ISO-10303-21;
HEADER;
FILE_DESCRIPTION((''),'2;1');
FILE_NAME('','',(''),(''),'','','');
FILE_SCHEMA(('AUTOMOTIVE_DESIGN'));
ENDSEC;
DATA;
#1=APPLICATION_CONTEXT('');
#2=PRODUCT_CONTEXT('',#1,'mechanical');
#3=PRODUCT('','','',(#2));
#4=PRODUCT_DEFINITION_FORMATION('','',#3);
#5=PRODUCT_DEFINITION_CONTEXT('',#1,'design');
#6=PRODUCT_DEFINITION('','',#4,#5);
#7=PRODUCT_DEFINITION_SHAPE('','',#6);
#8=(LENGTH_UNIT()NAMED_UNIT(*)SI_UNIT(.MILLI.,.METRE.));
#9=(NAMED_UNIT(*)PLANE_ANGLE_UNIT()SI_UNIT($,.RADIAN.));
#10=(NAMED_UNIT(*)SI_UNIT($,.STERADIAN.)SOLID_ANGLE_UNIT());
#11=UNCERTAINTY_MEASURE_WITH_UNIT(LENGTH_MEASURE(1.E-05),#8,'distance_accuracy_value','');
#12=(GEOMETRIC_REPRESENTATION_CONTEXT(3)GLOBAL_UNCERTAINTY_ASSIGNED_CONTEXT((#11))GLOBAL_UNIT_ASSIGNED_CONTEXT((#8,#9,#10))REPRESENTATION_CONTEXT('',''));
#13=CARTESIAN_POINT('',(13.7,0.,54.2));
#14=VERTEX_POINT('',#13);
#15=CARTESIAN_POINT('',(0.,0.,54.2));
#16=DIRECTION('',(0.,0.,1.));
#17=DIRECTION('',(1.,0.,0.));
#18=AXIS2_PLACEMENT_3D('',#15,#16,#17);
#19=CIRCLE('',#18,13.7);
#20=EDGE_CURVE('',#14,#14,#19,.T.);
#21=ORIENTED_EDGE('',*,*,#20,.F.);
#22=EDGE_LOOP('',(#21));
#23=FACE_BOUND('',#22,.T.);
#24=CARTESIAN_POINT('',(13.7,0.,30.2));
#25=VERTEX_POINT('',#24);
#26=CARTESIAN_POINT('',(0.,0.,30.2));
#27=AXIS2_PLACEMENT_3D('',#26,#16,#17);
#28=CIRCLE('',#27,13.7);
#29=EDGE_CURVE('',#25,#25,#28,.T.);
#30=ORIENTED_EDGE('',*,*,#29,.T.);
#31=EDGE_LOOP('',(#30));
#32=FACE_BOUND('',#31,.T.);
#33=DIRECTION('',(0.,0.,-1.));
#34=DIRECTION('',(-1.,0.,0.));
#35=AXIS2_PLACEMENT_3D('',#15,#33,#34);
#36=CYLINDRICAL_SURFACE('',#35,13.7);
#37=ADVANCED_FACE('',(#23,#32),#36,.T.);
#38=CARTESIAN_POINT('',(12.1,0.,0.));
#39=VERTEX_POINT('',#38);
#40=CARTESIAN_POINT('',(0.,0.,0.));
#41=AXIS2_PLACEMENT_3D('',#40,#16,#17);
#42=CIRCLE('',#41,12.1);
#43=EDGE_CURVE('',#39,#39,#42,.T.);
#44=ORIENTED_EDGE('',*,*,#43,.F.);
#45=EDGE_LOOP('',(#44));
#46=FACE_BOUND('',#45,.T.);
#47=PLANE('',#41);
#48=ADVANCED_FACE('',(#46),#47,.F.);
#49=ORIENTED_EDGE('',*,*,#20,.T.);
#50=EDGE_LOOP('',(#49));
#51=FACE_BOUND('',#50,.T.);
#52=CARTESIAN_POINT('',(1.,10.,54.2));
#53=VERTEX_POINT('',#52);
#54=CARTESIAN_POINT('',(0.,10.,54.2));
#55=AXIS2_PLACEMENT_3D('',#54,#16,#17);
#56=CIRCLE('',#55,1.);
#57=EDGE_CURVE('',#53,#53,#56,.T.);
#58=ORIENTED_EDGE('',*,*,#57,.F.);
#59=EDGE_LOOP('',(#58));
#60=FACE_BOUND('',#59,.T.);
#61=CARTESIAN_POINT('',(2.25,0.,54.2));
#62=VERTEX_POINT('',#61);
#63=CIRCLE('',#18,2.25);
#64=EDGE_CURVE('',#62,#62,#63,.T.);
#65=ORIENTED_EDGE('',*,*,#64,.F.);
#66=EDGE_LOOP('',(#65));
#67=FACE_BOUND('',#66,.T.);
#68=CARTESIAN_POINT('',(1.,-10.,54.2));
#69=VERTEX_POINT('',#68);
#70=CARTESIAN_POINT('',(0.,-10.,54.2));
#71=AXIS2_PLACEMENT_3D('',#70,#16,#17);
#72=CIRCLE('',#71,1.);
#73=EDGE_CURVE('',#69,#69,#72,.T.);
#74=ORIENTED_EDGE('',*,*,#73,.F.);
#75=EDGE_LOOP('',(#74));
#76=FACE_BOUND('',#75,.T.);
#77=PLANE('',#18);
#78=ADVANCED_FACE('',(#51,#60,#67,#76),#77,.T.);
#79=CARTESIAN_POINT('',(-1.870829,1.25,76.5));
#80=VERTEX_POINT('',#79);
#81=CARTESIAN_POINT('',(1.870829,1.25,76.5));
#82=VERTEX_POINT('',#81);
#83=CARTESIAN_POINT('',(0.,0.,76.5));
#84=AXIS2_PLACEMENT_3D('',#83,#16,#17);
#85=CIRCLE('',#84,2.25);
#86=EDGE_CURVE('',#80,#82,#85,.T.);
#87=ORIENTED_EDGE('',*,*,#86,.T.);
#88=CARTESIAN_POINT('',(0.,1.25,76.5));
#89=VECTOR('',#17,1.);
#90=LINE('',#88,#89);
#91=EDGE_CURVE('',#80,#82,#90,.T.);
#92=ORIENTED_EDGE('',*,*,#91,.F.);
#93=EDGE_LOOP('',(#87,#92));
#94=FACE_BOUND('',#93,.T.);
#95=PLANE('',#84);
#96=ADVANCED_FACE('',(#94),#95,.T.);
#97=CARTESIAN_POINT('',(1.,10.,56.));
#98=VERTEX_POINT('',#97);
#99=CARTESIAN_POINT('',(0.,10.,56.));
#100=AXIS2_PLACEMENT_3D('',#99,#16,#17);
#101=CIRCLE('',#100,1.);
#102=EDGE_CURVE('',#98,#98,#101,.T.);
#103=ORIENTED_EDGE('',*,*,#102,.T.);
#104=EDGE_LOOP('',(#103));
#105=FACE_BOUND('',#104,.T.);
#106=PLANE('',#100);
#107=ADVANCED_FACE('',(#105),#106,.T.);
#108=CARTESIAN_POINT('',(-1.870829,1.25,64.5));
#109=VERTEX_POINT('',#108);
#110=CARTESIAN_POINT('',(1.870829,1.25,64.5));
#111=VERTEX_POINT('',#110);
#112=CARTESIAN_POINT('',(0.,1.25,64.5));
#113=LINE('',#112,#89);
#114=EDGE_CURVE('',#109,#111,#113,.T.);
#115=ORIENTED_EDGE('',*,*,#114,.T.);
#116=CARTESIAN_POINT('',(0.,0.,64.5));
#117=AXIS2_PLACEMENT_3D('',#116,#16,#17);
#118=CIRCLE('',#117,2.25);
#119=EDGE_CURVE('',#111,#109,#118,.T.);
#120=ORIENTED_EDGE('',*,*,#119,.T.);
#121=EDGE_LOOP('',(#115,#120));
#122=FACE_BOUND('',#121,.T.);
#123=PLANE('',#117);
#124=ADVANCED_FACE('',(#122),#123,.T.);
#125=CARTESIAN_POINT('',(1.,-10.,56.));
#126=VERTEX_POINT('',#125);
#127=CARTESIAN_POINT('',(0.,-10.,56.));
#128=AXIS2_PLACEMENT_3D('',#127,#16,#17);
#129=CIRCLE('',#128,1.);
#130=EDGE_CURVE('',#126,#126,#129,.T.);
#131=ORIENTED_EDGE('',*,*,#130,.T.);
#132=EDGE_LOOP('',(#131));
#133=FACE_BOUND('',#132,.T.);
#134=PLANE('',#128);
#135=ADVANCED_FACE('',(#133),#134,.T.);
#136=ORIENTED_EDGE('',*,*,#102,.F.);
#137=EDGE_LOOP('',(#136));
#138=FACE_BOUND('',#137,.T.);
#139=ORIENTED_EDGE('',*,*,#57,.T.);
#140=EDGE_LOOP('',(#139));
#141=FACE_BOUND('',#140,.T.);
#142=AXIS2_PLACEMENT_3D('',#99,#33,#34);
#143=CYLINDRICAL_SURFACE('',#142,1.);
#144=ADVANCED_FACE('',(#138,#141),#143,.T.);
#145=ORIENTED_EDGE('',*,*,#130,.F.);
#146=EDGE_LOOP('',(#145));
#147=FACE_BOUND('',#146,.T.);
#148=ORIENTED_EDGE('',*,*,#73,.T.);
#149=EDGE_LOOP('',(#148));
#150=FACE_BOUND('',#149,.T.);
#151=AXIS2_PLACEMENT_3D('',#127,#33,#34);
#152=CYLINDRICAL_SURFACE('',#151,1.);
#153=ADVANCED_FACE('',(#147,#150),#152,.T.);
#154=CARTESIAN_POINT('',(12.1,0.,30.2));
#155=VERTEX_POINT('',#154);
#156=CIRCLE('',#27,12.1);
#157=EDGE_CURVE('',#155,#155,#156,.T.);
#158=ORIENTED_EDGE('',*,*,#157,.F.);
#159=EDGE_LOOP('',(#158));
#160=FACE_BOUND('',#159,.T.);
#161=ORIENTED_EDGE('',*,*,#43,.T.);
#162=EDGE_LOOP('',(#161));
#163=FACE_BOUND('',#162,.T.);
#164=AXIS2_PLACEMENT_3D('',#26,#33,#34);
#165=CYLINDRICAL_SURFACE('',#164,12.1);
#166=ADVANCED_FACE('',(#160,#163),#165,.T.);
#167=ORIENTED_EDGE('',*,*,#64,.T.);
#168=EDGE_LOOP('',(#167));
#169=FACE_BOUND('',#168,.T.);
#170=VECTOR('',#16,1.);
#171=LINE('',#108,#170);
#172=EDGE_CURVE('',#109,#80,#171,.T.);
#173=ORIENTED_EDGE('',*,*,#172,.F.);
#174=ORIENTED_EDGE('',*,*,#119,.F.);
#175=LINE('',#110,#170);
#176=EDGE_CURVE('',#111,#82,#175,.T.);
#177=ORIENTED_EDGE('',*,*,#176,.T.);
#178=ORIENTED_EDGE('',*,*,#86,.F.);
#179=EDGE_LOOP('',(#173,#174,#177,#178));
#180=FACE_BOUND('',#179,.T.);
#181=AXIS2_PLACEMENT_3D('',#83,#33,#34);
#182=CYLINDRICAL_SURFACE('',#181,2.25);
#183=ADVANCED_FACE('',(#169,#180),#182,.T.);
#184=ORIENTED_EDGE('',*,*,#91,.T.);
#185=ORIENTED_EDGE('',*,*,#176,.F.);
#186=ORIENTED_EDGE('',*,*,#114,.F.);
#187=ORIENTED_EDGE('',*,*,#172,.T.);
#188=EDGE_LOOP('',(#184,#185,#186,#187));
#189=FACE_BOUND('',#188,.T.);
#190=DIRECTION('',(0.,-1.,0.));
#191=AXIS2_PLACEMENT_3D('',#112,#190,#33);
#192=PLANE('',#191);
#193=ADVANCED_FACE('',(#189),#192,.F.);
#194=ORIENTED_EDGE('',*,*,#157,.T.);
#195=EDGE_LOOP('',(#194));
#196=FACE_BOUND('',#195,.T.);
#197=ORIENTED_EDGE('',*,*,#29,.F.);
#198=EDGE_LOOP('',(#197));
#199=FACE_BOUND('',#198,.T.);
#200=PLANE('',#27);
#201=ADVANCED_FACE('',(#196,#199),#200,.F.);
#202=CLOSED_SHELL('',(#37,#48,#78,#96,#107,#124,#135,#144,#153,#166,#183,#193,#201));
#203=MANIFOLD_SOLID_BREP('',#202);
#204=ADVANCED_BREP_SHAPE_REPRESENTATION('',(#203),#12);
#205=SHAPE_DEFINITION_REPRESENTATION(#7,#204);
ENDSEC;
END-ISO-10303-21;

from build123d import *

# Parameters (mm, degrees)
SKETCH1_R           = 12.1
BOSS_EXTRUDE1_DEPTH = 30.2
SKETCH2_R           = 13.7
BOSS_EXTRUDE2_DEPTH = 24
SKETCH4_R           = 1
BOSS_EXTRUDE3_DEPTH = 1.8
SKETCH5_R           = 2.25
BOSS_EXTRUDE4_DEPTH = 22.3
CUT_EXTRUDE1_DEPTH  = 12


with BuildPart() as part:
    # Sketch1 → Boss-Extrude1 (new body)
    with BuildSketch(Plane.XY):
        Circle(SKETCH1_R)
    extrude(amount=BOSS_EXTRUDE1_DEPTH)

    # Sketch2 → Boss-Extrude2 (add)
    with BuildSketch(Plane.XY.offset(30.2)):
        Circle(SKETCH2_R)
    extrude(amount=BOSS_EXTRUDE2_DEPTH)

    # Sketch4 → Boss-Extrude3 (add)
    with BuildSketch(Plane.XY.offset(54.2)):
        with Locations((0, 10)):
            Circle(SKETCH4_R)
        with Locations((0, -10)):
            Circle(SKETCH4_R)
    extrude(amount=BOSS_EXTRUDE3_DEPTH)

    # Sketch5 → Boss-Extrude4 (add)
    with BuildSketch(Plane.XY.offset(54.2)):
        Circle(SKETCH5_R)
    extrude(amount=BOSS_EXTRUDE4_DEPTH)

    # Sketch6 → Cut-Extrude1 (cut)
    with BuildSketch(Plane.XY.offset(76.5)):
        Polygon((-55.042727248, 1.25), (-1.870828693, 1.25), (1.870828693, 1.25), (55.042727248, 1.25), (55.042727248, 107.593797109), (-55.042727248, 107.593797109), align=None)
    extrude(amount=-CUT_EXTRUDE1_DEPTH, mode=Mode.SUBTRACT)


solid = part.part
